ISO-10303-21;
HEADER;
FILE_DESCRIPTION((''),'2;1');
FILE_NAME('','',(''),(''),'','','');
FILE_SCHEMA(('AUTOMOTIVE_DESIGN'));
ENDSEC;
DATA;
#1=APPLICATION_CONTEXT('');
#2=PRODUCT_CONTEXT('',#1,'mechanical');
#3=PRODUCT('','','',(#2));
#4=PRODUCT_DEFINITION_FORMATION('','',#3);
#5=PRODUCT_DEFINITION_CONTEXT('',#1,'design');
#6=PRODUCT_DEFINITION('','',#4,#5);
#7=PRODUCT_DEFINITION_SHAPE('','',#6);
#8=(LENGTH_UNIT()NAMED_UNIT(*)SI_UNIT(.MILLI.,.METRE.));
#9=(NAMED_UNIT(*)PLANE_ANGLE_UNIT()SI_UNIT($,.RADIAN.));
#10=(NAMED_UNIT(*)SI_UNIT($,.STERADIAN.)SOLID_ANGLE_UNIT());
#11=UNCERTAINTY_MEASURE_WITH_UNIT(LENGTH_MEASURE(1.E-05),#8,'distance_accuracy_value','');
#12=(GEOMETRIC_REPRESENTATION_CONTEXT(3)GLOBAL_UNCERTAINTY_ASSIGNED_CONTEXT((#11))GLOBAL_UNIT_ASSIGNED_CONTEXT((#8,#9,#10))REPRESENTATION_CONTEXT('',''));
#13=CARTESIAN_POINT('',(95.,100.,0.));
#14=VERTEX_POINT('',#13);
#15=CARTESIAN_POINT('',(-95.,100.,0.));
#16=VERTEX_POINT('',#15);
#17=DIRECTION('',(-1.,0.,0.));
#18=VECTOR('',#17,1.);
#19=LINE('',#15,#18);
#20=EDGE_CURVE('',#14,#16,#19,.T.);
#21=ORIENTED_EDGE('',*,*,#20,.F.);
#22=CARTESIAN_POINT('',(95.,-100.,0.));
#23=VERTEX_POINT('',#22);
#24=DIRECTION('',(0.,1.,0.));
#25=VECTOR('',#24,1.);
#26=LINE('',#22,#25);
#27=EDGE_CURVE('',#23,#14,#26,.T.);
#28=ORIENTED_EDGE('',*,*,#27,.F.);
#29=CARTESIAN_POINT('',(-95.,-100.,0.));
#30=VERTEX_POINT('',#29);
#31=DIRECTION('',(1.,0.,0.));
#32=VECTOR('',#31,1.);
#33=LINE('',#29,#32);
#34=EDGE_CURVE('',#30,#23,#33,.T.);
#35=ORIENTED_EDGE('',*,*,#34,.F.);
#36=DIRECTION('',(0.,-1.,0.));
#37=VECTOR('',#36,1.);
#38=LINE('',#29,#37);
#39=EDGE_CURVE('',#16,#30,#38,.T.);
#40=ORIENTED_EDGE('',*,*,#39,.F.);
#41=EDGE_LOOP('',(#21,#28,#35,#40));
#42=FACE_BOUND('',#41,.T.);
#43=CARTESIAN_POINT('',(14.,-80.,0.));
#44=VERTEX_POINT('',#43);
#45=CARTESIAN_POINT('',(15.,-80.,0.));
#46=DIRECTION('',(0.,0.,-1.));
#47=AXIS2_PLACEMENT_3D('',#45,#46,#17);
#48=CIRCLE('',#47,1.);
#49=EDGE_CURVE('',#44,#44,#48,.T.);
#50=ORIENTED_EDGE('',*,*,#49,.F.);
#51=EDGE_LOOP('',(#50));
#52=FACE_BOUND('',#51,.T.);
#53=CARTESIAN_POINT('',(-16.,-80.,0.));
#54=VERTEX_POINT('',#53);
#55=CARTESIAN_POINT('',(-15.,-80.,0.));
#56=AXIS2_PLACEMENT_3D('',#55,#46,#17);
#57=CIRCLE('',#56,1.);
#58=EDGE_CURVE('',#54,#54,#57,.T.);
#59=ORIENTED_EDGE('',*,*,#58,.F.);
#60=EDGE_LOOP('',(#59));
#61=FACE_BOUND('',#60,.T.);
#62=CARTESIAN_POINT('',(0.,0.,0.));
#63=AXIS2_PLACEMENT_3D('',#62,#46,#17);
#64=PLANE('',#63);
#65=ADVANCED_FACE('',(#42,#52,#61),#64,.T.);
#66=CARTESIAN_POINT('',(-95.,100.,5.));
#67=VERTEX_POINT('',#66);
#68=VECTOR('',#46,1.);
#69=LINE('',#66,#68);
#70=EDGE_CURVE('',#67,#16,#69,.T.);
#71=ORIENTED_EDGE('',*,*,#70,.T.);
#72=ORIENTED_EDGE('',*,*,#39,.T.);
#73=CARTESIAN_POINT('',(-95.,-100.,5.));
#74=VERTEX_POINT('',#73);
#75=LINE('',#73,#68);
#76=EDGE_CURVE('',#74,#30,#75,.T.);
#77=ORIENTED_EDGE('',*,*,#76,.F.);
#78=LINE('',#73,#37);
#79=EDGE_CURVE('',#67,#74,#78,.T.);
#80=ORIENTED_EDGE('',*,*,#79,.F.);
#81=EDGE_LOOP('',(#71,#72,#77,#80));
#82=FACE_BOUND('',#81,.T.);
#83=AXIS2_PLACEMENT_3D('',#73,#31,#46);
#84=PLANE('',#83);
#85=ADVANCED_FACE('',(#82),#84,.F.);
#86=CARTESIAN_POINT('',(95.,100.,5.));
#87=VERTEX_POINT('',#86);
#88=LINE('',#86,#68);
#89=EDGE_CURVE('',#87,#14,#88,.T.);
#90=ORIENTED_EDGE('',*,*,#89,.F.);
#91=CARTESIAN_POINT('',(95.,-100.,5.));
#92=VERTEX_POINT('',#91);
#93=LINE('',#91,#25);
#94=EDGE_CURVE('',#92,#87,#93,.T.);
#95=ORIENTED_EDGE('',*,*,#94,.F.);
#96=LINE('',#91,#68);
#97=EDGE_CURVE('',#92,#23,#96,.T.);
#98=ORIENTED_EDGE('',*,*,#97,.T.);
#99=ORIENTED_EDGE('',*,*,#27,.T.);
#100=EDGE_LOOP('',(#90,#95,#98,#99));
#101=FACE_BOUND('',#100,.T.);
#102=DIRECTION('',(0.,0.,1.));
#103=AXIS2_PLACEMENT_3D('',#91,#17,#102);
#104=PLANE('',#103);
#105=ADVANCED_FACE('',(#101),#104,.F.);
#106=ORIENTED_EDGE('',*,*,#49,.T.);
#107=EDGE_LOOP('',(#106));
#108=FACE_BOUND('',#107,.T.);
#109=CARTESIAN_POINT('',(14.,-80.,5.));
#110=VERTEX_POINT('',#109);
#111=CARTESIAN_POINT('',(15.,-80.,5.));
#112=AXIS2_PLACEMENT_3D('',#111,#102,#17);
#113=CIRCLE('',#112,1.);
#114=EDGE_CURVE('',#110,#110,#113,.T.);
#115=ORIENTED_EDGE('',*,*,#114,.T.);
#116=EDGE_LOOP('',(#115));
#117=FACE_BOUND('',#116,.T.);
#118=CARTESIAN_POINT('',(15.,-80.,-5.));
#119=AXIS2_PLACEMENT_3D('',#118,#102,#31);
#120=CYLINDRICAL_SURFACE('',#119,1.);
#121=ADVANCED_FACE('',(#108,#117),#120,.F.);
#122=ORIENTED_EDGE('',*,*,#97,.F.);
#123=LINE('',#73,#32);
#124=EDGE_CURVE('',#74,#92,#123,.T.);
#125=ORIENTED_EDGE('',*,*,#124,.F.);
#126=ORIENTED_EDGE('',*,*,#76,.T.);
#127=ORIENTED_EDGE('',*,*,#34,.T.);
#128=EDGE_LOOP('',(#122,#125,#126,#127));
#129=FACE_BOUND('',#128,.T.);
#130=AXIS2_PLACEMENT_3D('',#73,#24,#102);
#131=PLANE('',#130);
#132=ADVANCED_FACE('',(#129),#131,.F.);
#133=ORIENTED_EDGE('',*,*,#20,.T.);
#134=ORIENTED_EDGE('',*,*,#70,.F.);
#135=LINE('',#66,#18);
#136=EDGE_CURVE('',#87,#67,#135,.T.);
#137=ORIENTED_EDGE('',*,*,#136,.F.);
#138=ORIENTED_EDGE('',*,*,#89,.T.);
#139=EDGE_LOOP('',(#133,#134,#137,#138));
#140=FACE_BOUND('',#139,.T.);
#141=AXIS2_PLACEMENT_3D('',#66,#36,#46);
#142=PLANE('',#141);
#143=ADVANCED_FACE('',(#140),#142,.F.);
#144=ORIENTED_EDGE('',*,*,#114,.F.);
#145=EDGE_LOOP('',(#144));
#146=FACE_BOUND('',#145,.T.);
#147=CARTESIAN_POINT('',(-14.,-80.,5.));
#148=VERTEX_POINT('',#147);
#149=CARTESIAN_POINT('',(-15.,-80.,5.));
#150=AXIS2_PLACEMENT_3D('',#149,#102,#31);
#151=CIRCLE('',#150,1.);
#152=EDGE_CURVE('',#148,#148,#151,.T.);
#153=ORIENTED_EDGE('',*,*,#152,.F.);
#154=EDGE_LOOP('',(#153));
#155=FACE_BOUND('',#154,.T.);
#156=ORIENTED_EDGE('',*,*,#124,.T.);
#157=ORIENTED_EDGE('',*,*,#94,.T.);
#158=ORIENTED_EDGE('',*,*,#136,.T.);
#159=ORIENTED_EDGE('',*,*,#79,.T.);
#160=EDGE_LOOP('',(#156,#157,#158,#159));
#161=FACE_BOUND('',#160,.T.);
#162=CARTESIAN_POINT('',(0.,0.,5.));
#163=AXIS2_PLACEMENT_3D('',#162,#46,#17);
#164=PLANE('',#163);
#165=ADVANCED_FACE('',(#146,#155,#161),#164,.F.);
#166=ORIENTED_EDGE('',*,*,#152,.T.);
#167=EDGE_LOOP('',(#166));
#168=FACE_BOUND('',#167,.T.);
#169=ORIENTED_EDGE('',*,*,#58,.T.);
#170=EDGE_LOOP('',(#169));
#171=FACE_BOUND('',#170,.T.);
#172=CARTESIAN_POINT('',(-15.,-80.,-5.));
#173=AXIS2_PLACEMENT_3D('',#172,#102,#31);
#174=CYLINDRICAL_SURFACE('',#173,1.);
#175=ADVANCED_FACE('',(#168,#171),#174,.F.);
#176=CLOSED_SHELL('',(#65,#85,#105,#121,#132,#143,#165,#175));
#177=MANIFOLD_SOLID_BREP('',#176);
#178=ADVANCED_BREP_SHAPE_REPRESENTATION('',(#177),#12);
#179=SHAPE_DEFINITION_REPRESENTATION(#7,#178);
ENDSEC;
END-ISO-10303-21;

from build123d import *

# Parameters (mm, degrees)
CROQUIS1_W              = 190
CROQUIS1_H              = 200
SALIENTE_EXTRUIR1_DEPTH = 5
CROQUIS2_R              = 1
CORTAR_EXTRUIR1_DEPTH   = 10


with BuildPart() as part:
    # Croquis1 → Saliente-Extruir1 (new body)
    with BuildSketch(Plane.XY):
        Rectangle(CROQUIS1_W, CROQUIS1_H)
    extrude(amount=SALIENTE_EXTRUIR1_DEPTH)

    # Croquis2 → Cortar-Extruir1 (cut)
    with BuildSketch(Plane.XY.offset(5)):
        with Locations((-15, -80)):
            Circle(CROQUIS2_R)
        with Locations((15, -80)):
            Circle(CROQUIS2_R)
    extrude(amount=-CORTAR_EXTRUIR1_DEPTH, mode=Mode.SUBTRACT)


solid = part.part
